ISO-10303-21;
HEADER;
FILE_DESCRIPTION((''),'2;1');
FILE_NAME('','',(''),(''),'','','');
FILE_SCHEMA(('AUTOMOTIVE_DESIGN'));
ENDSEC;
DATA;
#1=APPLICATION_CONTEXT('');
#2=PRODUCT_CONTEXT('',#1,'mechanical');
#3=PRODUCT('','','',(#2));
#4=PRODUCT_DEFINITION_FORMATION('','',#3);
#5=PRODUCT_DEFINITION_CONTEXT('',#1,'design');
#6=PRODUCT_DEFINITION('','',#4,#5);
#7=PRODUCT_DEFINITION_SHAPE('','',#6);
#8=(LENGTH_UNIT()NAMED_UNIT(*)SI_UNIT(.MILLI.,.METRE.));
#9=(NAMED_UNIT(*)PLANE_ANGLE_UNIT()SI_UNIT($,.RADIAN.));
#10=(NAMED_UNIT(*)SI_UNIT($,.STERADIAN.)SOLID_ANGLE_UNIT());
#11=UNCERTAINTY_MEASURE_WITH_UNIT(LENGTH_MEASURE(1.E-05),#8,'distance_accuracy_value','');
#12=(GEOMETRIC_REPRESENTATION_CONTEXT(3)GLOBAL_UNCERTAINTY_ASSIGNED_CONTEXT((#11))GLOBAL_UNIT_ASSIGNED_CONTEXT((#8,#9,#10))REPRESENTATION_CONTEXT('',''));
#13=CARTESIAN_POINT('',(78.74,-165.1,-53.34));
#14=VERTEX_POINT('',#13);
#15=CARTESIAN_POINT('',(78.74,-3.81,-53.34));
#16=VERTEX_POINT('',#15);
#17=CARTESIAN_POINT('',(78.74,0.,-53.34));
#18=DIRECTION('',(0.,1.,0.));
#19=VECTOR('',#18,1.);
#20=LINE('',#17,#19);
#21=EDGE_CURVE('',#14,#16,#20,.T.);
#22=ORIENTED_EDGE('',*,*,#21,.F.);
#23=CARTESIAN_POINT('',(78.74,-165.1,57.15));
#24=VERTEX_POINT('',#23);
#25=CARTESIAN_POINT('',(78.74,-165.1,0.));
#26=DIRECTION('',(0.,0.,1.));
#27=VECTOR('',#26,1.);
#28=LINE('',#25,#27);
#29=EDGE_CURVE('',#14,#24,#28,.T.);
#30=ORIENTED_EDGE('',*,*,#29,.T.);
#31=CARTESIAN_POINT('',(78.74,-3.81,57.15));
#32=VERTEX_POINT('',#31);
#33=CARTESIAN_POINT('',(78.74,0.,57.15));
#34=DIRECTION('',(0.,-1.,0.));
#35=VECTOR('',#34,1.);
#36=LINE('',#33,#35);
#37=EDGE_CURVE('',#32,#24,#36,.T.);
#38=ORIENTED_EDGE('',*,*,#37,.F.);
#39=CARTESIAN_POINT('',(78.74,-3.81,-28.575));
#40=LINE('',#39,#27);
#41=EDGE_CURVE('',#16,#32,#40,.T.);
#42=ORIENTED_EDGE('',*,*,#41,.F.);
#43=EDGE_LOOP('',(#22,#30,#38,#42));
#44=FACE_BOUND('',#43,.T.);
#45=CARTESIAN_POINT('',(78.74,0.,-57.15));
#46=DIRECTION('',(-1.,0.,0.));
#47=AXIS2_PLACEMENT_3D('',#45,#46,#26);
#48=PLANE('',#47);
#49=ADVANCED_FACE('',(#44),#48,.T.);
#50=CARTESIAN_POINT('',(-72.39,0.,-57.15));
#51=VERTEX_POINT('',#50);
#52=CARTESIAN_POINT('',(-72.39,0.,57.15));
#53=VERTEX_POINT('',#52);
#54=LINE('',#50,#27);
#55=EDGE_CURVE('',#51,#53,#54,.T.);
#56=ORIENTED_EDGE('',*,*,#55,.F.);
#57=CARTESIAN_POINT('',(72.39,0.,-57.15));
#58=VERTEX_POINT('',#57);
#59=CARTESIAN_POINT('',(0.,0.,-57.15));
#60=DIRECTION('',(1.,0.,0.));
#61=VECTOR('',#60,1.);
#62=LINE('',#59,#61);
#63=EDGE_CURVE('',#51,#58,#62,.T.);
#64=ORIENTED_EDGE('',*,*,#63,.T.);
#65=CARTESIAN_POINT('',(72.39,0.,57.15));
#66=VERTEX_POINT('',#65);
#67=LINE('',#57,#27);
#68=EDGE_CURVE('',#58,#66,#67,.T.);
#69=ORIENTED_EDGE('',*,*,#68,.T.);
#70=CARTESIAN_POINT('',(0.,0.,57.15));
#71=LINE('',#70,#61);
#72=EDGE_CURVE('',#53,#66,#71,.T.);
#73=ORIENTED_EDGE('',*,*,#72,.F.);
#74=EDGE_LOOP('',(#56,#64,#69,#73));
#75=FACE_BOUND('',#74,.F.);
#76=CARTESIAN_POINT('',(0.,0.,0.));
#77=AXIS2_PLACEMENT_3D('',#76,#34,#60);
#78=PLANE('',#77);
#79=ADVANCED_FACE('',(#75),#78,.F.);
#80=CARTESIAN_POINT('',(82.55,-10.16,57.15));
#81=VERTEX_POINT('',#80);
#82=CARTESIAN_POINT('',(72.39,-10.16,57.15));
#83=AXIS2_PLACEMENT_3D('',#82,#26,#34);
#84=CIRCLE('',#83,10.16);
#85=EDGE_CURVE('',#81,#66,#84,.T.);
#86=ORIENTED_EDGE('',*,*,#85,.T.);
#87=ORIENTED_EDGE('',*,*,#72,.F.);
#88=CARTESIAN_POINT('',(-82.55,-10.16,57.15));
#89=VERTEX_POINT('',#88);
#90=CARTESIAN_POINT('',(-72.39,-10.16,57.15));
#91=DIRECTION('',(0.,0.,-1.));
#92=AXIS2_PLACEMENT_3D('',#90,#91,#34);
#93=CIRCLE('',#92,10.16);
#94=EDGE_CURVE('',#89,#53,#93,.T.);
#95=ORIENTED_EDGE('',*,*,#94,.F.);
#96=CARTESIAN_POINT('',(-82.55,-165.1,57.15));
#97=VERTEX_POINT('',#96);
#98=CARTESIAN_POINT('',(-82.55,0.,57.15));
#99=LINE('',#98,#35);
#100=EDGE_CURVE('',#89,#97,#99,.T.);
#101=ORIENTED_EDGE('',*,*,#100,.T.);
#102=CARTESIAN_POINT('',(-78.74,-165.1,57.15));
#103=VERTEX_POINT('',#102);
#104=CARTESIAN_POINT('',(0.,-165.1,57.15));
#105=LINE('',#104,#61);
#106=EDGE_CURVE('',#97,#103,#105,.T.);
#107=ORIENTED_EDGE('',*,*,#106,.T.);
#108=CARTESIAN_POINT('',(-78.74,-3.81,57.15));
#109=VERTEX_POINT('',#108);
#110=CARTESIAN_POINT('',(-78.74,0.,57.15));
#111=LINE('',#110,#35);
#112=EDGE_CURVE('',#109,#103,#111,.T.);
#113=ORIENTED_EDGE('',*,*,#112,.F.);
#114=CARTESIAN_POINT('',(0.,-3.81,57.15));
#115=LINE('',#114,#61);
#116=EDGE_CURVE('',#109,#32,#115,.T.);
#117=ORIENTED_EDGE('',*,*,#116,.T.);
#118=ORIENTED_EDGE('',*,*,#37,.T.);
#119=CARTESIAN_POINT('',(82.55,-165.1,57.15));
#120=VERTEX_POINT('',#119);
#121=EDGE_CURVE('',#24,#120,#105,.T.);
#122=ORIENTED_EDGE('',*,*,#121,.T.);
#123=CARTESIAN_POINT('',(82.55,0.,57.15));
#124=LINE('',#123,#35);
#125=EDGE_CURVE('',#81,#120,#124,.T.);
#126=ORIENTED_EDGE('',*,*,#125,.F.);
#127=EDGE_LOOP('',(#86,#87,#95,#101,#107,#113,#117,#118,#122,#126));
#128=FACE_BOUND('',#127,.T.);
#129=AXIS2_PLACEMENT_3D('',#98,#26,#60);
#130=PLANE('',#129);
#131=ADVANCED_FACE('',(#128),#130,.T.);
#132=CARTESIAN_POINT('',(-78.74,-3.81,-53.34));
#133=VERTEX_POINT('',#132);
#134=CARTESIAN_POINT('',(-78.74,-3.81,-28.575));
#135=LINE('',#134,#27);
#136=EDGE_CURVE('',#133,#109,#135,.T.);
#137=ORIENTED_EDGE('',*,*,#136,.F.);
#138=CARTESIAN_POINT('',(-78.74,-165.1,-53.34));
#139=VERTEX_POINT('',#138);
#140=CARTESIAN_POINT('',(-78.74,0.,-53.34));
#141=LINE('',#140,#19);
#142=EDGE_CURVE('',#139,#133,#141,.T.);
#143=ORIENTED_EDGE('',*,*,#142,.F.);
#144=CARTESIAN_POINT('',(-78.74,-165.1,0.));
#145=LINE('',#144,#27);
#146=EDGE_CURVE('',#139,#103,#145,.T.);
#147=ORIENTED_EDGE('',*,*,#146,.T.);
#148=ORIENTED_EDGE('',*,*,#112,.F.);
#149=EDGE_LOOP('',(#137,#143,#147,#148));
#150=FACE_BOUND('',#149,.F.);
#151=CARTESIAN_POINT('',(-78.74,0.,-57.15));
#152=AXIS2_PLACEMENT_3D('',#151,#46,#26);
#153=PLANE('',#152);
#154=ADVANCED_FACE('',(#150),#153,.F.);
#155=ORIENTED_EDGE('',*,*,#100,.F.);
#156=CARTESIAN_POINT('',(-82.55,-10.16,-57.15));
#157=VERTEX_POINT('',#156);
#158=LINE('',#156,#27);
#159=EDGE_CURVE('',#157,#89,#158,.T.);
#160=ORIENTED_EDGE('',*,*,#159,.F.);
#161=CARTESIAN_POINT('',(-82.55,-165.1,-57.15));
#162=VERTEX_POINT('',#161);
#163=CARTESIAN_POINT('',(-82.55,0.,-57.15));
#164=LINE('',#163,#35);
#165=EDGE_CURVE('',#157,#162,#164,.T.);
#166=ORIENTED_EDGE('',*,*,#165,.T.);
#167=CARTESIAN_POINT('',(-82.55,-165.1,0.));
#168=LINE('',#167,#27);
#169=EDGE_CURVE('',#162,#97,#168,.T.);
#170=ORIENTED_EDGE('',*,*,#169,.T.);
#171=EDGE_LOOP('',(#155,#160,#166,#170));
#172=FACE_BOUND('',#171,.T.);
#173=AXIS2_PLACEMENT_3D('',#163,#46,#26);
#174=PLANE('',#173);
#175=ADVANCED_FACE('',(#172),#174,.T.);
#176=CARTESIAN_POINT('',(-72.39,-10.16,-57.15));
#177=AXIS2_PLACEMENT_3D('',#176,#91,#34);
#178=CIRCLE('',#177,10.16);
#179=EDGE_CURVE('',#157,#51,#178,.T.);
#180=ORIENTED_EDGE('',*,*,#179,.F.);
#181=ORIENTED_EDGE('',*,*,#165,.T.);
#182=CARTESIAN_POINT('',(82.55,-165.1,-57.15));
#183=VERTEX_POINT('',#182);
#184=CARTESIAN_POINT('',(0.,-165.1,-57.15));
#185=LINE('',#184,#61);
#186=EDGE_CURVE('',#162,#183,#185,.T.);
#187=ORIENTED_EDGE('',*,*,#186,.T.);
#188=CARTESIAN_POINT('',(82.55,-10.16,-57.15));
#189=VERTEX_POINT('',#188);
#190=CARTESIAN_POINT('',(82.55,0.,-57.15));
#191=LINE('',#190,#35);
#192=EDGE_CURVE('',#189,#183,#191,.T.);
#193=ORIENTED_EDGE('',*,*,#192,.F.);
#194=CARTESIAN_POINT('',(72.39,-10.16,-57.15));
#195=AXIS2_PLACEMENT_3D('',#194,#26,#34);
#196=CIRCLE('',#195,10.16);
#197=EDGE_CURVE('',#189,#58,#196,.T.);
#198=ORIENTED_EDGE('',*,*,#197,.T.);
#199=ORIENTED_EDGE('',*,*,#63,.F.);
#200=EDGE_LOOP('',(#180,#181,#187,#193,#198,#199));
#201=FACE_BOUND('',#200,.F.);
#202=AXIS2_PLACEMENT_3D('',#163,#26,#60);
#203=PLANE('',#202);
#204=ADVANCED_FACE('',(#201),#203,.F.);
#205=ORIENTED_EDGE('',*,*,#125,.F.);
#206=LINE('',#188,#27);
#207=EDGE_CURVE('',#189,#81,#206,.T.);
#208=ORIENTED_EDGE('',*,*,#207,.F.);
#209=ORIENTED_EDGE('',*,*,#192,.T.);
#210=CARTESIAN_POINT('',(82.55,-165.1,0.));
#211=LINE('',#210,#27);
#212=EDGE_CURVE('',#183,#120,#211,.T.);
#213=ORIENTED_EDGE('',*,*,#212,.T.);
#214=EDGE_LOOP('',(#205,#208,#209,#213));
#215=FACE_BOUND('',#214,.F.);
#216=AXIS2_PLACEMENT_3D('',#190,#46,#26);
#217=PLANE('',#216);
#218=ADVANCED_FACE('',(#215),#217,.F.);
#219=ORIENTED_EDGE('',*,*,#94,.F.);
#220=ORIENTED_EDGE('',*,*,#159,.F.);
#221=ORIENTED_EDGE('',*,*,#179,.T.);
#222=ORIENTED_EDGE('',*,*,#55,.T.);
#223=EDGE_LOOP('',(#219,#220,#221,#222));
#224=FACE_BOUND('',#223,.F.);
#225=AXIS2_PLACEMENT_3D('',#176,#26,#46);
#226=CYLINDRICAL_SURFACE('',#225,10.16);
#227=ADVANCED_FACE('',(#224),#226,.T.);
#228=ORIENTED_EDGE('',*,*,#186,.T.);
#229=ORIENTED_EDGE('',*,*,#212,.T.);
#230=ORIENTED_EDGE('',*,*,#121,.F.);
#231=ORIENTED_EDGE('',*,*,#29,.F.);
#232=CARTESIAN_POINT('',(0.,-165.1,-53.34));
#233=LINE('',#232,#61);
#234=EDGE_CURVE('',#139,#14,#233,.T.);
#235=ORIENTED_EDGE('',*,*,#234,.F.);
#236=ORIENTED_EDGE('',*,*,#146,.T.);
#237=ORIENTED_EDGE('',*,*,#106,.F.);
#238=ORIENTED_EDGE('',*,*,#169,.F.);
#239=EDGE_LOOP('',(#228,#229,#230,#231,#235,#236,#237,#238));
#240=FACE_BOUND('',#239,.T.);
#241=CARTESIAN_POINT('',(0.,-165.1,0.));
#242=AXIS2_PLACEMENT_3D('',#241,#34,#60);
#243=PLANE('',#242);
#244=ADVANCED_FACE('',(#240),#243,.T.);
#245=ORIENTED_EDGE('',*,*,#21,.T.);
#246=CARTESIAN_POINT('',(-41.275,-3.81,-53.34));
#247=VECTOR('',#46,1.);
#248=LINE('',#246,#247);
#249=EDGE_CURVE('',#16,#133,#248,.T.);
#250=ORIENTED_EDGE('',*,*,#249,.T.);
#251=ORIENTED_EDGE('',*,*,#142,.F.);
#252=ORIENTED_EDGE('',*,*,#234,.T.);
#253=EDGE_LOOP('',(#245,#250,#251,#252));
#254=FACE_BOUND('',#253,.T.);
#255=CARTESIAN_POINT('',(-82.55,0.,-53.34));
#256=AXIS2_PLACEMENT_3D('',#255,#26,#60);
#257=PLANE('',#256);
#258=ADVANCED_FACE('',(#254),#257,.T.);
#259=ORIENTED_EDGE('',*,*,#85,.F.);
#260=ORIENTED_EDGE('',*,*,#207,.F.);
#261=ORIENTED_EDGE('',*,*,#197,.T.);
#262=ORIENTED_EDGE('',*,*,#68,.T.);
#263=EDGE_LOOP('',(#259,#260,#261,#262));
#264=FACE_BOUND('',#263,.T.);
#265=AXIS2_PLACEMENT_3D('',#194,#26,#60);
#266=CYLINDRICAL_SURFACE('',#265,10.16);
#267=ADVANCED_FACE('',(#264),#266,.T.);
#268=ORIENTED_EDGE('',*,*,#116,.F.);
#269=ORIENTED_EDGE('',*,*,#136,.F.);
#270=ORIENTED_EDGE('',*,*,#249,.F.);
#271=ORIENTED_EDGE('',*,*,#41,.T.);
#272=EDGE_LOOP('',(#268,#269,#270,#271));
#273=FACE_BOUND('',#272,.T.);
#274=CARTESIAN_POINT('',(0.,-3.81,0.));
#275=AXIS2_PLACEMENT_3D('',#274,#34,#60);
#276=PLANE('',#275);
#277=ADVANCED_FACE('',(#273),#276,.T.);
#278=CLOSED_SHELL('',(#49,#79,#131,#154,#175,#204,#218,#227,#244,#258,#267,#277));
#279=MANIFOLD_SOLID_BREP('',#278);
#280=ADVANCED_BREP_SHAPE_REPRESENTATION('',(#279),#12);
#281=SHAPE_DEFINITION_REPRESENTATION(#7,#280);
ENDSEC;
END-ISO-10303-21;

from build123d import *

# Parameters (mm, degrees)
F0_W     = 165.1
F0_H     = 114.3
F1_DEPTH = 165.1
F2_T     = -3.81
F3_R     = 10.16


with BuildPart() as f1:
    # F0 (on Front) → F1 (new body)
    with BuildSketch(Plane.XZ):
        Rectangle(F0_W, F0_H)
    extrude(amount=F1_DEPTH)

    # F2
    f2_openings = [f1.faces().sort_by_distance(p)[0] for p in [
        (0, -165.1, 0),
        (0, -82.55, 57.15),
    ]]
    offset(amount=F2_T, openings=f2_openings)

    # F3
    f3_edges = [f1.edges().sort_by_distance(p)[0] for p in [
        (82.55, 0, 0),
        (-82.55, 0, 0),
    ]]
    fillet(f3_edges, radius=F3_R)


solid = f1.part
